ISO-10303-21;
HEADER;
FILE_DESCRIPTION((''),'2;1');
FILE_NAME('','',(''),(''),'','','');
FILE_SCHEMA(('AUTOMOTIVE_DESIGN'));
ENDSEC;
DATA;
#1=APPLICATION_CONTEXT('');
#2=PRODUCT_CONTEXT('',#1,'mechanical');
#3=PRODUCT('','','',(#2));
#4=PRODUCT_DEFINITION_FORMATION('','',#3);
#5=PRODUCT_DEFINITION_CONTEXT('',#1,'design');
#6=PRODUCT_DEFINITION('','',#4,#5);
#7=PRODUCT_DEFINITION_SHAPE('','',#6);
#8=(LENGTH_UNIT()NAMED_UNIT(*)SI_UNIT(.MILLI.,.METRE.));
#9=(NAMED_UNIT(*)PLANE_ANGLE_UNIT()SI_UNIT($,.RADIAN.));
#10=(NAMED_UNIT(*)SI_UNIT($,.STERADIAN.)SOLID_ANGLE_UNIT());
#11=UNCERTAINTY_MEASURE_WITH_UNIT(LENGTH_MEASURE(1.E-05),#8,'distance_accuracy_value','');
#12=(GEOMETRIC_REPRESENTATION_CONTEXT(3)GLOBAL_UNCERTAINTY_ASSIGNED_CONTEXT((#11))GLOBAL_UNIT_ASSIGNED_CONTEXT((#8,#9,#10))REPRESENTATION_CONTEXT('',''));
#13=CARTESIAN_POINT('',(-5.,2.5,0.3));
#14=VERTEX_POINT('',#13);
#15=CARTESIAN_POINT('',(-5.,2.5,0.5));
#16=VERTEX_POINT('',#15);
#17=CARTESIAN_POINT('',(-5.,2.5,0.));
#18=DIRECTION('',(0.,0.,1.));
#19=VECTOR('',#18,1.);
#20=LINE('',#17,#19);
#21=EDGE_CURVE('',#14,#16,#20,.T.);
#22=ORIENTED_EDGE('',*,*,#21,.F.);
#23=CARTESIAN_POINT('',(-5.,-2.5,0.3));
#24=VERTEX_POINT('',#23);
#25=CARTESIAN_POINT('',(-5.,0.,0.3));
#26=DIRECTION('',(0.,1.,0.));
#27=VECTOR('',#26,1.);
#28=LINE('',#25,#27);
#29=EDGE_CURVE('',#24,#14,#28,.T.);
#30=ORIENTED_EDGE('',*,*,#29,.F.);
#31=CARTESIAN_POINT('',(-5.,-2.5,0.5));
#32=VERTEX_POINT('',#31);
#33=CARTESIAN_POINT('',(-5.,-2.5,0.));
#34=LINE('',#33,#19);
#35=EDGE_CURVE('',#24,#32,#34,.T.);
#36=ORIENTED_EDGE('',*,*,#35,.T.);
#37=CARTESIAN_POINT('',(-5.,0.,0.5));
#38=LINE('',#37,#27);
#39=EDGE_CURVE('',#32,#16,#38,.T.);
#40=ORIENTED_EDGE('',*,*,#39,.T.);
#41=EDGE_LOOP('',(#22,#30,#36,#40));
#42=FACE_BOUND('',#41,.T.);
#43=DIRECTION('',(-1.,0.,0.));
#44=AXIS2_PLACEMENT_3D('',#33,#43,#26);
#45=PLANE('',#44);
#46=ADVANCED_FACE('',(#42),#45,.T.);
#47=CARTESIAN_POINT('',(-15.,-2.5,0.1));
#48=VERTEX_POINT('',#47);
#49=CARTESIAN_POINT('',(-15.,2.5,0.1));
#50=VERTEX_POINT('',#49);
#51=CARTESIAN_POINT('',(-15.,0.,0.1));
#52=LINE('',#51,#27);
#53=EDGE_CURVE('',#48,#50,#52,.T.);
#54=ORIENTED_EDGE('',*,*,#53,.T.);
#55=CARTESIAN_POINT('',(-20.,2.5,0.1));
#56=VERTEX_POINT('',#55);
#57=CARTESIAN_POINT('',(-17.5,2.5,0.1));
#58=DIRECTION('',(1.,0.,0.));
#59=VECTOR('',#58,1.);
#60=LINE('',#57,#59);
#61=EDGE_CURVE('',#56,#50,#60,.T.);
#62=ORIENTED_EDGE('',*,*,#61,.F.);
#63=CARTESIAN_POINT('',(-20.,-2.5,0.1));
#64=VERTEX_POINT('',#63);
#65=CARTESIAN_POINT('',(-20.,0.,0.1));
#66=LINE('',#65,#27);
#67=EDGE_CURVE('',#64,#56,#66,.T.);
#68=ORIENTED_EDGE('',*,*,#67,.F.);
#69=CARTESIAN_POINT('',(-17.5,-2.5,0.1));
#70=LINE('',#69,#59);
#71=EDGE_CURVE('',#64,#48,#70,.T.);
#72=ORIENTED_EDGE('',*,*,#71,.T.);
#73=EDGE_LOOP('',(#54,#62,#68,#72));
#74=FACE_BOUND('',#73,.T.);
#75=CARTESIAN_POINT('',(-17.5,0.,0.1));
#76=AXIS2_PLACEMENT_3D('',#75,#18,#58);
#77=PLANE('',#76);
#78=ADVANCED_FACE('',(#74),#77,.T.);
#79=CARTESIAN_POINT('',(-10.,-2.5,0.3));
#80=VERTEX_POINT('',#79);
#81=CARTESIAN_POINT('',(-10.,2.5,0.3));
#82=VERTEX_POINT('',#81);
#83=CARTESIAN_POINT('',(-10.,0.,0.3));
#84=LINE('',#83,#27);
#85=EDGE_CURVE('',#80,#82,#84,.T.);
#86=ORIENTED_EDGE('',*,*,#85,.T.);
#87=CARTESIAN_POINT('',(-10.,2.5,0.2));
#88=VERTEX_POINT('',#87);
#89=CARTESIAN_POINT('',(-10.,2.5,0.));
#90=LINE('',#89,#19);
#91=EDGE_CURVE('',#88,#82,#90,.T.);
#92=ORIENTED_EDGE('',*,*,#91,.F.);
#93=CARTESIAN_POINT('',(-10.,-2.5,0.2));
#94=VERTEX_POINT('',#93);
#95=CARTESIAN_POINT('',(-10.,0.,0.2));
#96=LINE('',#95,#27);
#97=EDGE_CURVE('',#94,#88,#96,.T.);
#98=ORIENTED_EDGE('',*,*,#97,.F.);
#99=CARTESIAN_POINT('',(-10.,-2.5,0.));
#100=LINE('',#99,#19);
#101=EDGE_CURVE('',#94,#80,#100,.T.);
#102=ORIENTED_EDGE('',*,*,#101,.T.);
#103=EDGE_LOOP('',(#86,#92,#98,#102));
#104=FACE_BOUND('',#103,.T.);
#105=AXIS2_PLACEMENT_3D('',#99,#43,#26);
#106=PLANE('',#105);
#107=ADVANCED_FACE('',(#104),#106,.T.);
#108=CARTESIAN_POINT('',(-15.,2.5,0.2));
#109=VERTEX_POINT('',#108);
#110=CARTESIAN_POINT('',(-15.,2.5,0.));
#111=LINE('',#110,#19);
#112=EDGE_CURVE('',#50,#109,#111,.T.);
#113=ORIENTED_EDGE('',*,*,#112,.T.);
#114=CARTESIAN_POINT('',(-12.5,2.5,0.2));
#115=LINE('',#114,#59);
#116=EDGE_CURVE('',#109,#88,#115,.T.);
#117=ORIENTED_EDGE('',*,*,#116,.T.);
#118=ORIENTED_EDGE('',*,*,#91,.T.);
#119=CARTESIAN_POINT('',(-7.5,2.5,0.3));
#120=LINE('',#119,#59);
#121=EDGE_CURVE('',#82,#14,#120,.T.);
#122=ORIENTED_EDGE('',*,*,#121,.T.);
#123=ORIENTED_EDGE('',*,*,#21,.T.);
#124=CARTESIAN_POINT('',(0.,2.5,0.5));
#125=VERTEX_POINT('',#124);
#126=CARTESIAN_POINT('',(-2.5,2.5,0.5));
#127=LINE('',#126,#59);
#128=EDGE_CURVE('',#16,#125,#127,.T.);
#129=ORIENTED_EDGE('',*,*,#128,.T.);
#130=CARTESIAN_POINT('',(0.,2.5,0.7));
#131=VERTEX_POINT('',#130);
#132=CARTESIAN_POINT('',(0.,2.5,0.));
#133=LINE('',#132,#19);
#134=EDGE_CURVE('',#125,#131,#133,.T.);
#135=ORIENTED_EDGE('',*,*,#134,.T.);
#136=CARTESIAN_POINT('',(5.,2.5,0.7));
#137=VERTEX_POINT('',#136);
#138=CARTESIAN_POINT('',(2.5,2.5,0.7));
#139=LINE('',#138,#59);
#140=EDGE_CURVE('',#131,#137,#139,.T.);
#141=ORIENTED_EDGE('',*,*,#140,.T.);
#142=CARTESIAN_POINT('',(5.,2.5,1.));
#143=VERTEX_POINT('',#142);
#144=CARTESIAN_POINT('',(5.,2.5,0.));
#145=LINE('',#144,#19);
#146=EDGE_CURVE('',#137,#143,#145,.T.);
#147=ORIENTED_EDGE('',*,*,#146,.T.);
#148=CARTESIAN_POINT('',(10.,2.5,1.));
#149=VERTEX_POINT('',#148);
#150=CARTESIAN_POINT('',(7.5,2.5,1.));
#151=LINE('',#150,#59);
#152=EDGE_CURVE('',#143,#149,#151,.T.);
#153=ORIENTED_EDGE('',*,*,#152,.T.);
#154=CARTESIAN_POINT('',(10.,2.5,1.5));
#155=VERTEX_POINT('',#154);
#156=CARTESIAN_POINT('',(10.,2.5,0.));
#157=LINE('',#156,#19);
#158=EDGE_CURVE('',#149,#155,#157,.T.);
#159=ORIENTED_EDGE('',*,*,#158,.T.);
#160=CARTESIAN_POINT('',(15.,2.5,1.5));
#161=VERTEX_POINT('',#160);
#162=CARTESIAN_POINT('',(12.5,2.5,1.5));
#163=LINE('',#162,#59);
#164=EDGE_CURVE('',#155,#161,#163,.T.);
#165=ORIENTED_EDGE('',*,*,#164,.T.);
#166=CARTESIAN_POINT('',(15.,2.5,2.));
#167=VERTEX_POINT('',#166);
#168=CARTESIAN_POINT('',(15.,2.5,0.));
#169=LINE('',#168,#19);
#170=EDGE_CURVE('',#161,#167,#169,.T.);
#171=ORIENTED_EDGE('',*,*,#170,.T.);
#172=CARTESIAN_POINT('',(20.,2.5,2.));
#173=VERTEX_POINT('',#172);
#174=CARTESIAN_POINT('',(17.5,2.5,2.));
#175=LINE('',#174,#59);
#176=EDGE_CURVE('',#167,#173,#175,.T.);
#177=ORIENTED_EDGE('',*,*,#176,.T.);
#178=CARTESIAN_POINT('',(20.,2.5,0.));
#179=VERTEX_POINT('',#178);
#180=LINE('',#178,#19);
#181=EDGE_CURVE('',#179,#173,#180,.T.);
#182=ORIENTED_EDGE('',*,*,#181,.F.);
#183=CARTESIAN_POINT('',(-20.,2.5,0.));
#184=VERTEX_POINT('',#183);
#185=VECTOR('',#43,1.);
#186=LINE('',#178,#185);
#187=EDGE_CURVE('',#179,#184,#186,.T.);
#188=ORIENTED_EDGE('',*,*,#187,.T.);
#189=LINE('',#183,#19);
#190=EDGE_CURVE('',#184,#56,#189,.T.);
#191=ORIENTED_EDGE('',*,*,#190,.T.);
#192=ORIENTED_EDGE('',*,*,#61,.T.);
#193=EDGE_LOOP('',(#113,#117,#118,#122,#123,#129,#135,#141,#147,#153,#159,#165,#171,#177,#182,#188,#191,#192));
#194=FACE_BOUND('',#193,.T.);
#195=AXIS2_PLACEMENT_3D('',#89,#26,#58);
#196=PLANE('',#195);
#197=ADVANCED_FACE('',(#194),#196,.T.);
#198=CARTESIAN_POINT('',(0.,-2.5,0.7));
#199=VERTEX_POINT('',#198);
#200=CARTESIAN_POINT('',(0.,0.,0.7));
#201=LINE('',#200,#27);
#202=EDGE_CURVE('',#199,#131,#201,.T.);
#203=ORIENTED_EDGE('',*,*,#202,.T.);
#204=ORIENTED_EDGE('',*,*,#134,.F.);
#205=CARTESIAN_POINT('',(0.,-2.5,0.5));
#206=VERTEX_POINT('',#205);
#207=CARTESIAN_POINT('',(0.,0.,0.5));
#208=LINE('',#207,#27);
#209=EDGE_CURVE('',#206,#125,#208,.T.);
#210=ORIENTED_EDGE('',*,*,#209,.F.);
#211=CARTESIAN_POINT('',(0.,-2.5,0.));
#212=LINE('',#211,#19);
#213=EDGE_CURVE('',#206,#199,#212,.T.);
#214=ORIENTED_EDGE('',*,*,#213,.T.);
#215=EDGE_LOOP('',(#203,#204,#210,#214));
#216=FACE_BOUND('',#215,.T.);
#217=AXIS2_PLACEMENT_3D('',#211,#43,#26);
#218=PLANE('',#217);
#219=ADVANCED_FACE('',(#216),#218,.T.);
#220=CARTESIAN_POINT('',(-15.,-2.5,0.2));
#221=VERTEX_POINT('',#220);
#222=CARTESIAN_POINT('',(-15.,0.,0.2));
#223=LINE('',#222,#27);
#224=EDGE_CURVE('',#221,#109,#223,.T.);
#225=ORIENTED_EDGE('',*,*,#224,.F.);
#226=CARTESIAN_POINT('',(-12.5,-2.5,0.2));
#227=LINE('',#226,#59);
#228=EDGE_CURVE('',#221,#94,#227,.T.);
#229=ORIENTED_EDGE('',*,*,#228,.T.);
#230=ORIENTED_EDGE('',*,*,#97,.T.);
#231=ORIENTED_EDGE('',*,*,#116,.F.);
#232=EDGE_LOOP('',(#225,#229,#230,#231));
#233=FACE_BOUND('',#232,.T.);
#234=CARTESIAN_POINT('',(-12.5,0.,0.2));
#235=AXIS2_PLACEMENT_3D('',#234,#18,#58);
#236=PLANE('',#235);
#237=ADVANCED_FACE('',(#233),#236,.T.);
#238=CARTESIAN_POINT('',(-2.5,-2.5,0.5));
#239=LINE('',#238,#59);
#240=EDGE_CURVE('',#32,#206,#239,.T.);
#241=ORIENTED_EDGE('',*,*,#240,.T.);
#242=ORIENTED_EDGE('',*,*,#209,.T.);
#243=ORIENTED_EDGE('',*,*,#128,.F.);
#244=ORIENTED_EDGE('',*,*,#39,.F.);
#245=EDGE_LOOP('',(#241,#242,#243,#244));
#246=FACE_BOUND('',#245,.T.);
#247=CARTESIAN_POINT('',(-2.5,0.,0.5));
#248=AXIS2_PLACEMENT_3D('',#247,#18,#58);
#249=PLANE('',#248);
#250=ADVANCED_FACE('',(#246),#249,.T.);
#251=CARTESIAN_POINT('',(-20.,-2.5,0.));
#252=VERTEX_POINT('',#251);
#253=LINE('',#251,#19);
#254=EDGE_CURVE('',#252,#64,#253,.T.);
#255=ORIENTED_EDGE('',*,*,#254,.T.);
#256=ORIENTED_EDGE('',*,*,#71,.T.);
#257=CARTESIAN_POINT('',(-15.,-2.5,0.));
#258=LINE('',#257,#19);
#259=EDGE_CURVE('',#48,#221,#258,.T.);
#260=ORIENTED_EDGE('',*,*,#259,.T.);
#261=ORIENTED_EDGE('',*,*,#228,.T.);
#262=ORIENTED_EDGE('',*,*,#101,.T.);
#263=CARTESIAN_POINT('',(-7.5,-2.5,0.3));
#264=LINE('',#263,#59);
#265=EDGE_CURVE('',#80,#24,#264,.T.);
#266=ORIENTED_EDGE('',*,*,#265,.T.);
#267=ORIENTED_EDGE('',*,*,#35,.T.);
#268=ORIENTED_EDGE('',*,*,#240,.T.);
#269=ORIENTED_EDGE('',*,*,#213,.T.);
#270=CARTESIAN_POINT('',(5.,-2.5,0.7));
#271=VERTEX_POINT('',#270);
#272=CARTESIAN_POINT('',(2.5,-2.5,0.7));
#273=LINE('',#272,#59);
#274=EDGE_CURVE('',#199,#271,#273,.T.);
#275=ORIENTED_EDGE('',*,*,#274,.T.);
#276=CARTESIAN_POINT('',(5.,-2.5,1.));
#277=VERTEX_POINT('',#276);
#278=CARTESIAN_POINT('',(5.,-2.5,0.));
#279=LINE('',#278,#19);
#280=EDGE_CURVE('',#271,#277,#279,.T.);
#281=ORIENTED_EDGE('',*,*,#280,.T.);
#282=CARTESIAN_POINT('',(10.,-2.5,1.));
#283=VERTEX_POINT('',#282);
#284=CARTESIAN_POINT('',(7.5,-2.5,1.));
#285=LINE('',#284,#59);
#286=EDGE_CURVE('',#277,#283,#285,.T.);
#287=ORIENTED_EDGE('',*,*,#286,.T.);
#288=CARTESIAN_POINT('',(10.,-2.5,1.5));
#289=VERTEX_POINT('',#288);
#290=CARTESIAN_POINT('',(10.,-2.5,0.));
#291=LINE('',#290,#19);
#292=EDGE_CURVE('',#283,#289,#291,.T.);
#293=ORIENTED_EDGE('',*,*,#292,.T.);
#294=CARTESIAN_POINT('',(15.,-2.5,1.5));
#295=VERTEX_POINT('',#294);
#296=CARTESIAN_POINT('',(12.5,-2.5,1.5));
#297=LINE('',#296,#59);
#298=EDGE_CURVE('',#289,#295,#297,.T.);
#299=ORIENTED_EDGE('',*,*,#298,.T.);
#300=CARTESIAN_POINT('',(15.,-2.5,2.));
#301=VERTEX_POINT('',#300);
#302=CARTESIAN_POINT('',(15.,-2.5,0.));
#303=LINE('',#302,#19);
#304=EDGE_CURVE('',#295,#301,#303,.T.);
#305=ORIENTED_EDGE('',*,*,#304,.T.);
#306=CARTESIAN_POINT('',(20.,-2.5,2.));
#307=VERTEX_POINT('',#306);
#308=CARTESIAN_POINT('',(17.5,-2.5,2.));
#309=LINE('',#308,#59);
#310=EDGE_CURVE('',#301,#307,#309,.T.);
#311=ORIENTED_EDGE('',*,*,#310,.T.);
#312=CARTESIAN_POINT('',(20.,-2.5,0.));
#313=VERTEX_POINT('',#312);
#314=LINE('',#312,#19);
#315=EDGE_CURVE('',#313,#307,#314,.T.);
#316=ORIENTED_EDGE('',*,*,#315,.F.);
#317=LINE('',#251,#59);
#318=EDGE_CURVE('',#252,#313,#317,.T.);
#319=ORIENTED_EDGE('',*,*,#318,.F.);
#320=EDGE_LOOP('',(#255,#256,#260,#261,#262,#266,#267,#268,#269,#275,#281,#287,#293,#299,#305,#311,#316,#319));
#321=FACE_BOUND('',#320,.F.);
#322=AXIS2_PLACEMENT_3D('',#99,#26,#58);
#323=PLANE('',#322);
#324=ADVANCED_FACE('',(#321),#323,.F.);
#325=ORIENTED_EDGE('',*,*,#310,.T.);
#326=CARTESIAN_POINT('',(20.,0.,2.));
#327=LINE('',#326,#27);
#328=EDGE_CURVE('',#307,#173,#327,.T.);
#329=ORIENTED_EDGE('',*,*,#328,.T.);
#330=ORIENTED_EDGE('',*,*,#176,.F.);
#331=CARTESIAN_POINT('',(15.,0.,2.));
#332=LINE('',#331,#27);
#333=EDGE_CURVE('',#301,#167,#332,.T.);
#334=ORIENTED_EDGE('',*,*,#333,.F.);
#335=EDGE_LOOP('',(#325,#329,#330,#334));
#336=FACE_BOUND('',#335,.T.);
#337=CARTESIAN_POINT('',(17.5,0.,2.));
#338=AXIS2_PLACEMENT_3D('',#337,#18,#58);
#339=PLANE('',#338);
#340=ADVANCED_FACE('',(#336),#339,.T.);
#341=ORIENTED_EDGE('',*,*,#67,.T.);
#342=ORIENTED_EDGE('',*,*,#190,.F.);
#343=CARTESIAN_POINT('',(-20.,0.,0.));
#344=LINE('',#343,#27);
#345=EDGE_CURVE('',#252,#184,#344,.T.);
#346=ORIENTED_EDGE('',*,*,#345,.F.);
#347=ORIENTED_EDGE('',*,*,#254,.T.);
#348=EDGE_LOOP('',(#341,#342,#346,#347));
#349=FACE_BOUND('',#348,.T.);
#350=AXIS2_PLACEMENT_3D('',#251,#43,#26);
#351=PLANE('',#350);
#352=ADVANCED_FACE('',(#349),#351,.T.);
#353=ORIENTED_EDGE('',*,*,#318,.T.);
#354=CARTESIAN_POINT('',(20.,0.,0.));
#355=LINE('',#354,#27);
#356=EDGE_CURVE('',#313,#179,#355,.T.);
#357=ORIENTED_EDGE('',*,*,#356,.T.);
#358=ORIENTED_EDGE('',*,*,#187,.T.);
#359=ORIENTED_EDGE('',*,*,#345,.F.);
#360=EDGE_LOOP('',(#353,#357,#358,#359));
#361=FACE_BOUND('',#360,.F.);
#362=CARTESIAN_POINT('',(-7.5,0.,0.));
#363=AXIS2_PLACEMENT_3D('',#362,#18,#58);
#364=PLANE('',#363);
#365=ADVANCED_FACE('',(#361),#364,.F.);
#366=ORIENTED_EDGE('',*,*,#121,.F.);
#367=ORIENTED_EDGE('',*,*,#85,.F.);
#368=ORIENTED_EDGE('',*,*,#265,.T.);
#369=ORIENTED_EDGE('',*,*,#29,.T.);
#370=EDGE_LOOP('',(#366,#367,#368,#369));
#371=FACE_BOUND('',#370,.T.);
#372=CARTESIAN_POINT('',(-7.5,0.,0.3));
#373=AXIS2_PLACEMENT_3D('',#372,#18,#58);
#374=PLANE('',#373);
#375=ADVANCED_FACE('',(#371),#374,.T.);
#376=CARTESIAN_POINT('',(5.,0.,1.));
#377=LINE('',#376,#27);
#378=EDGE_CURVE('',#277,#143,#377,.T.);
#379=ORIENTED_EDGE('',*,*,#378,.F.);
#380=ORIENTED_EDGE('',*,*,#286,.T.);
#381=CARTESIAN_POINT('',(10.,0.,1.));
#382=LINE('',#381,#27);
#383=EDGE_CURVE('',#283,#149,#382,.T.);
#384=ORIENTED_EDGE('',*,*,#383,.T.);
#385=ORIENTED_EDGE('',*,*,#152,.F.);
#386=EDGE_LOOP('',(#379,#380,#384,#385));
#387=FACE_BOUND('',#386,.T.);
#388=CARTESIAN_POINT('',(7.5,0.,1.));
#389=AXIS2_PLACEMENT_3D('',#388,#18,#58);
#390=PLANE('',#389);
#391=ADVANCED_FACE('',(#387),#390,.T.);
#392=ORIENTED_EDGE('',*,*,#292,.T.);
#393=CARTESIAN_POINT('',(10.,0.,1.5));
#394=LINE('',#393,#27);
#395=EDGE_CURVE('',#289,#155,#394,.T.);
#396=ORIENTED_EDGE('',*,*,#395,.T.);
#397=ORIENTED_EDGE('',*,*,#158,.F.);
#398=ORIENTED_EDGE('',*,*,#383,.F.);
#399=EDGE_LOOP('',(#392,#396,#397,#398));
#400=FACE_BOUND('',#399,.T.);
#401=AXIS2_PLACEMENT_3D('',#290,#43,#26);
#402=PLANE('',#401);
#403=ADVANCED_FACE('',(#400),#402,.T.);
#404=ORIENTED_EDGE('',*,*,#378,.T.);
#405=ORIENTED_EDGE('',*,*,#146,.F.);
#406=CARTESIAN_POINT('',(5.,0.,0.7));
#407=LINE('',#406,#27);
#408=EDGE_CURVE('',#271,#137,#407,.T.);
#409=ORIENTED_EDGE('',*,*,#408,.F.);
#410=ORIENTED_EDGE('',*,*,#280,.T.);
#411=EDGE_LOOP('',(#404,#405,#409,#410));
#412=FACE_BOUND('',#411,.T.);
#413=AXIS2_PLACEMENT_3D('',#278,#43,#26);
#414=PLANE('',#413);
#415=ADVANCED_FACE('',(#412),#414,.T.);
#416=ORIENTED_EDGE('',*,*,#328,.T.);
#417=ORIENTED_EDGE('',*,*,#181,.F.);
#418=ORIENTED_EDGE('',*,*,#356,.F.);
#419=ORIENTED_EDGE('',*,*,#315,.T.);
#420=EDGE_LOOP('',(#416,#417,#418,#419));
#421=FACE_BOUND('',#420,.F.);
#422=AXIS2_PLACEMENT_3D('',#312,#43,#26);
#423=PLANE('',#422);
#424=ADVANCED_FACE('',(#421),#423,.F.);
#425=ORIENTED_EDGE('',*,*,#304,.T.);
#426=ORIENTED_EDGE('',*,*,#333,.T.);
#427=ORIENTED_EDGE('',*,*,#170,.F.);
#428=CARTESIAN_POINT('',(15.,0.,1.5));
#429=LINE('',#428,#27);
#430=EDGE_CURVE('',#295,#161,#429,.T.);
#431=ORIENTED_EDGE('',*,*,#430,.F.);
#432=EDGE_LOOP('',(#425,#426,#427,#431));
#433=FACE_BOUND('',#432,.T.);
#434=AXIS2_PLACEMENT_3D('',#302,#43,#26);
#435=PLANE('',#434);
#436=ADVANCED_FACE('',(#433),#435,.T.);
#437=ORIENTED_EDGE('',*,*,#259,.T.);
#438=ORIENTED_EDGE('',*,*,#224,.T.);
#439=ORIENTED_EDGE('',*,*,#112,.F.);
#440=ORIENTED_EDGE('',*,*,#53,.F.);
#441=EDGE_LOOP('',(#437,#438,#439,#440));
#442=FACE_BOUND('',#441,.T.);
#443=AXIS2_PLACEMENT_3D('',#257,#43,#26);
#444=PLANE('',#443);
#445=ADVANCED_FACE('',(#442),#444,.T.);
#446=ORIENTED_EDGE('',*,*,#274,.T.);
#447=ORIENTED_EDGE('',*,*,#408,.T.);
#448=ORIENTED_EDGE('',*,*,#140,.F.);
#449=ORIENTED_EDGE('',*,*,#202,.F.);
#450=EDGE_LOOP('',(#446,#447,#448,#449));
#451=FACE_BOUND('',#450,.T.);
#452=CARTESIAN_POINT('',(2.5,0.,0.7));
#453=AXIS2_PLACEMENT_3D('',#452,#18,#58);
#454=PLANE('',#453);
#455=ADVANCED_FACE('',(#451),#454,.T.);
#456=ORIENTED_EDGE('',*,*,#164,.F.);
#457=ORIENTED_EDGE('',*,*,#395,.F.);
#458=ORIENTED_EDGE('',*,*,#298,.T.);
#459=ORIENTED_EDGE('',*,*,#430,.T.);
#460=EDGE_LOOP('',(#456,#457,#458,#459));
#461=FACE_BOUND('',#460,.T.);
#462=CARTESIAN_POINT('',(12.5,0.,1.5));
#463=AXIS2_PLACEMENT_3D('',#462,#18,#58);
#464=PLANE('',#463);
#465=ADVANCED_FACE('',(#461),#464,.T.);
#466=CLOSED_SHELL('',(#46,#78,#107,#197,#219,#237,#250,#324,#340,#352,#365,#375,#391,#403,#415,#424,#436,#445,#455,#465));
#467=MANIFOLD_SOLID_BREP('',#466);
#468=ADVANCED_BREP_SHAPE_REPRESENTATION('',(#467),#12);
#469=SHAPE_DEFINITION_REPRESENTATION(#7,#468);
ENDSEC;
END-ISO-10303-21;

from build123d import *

# Parameters (mm, degrees)
F0_W     = 5
F0_H     = 5
F1_DEPTH = 0.1
F2_DEPTH = 0.5
F3_DEPTH = 0.7
F4_DEPTH = 1
F5_DEPTH = 1.5
F6_DEPTH = 2
F7_DEPTH = 0.2
F8_DEPTH = 0.3


with BuildPart() as f1:
    # F0 (on Top) → F1 (new body)
    with BuildSketch(Plane.XY):
        with Locations((-17.5, 0)):
            Rectangle(F0_W, F0_H)
    extrude(amount=F1_DEPTH)

    # F0 (on Top) → F7 (join)
    with BuildSketch(Plane.XY):
        with Locations((-12.5, 0)):
            Rectangle(F0_W, F0_H)
    extrude(amount=F7_DEPTH)



with BuildPart() as f2:
    # F0 (on Top) → F2 (new body)
    with BuildSketch(Plane.XY):
        with Locations((-2.5, 0)):
            Rectangle(F0_W, F0_H)
    extrude(amount=F2_DEPTH)

    # F0 (on Top) → F3 (join)
    with BuildSketch(Plane.XY):
        with Locations((2.5, 0)):
            Rectangle(F0_W, F0_H)
    extrude(amount=F3_DEPTH)

    # F0 (on Top) → F4 (join)
    with BuildSketch(Plane.XY):
        with Locations((7.5, 0)):
            Rectangle(F0_W, F0_H)
    extrude(amount=F4_DEPTH)

    # F0 (on Top) → F5 (join)
    with BuildSketch(Plane.XY):
        with Locations((12.5, 0)):
            Rectangle(F0_W, F0_H)
    extrude(amount=F5_DEPTH)

    # F0 (on Top) → F6 (join)
    with BuildSketch(Plane.XY):
        with Locations((17.5, 0)):
            Rectangle(F0_W, F0_H)
    extrude(amount=F6_DEPTH)


with BuildPart() as f1_1:
    add(f1.part)

    add(f2.part)  # F8 merges F2
    # F0 (on Top) → F8 (join)
    with BuildSketch(Plane.XY):
        with Locations((-7.5, 0)):
            Rectangle(F0_W, F0_H)
    extrude(amount=F8_DEPTH)


solid = f1_1.part
